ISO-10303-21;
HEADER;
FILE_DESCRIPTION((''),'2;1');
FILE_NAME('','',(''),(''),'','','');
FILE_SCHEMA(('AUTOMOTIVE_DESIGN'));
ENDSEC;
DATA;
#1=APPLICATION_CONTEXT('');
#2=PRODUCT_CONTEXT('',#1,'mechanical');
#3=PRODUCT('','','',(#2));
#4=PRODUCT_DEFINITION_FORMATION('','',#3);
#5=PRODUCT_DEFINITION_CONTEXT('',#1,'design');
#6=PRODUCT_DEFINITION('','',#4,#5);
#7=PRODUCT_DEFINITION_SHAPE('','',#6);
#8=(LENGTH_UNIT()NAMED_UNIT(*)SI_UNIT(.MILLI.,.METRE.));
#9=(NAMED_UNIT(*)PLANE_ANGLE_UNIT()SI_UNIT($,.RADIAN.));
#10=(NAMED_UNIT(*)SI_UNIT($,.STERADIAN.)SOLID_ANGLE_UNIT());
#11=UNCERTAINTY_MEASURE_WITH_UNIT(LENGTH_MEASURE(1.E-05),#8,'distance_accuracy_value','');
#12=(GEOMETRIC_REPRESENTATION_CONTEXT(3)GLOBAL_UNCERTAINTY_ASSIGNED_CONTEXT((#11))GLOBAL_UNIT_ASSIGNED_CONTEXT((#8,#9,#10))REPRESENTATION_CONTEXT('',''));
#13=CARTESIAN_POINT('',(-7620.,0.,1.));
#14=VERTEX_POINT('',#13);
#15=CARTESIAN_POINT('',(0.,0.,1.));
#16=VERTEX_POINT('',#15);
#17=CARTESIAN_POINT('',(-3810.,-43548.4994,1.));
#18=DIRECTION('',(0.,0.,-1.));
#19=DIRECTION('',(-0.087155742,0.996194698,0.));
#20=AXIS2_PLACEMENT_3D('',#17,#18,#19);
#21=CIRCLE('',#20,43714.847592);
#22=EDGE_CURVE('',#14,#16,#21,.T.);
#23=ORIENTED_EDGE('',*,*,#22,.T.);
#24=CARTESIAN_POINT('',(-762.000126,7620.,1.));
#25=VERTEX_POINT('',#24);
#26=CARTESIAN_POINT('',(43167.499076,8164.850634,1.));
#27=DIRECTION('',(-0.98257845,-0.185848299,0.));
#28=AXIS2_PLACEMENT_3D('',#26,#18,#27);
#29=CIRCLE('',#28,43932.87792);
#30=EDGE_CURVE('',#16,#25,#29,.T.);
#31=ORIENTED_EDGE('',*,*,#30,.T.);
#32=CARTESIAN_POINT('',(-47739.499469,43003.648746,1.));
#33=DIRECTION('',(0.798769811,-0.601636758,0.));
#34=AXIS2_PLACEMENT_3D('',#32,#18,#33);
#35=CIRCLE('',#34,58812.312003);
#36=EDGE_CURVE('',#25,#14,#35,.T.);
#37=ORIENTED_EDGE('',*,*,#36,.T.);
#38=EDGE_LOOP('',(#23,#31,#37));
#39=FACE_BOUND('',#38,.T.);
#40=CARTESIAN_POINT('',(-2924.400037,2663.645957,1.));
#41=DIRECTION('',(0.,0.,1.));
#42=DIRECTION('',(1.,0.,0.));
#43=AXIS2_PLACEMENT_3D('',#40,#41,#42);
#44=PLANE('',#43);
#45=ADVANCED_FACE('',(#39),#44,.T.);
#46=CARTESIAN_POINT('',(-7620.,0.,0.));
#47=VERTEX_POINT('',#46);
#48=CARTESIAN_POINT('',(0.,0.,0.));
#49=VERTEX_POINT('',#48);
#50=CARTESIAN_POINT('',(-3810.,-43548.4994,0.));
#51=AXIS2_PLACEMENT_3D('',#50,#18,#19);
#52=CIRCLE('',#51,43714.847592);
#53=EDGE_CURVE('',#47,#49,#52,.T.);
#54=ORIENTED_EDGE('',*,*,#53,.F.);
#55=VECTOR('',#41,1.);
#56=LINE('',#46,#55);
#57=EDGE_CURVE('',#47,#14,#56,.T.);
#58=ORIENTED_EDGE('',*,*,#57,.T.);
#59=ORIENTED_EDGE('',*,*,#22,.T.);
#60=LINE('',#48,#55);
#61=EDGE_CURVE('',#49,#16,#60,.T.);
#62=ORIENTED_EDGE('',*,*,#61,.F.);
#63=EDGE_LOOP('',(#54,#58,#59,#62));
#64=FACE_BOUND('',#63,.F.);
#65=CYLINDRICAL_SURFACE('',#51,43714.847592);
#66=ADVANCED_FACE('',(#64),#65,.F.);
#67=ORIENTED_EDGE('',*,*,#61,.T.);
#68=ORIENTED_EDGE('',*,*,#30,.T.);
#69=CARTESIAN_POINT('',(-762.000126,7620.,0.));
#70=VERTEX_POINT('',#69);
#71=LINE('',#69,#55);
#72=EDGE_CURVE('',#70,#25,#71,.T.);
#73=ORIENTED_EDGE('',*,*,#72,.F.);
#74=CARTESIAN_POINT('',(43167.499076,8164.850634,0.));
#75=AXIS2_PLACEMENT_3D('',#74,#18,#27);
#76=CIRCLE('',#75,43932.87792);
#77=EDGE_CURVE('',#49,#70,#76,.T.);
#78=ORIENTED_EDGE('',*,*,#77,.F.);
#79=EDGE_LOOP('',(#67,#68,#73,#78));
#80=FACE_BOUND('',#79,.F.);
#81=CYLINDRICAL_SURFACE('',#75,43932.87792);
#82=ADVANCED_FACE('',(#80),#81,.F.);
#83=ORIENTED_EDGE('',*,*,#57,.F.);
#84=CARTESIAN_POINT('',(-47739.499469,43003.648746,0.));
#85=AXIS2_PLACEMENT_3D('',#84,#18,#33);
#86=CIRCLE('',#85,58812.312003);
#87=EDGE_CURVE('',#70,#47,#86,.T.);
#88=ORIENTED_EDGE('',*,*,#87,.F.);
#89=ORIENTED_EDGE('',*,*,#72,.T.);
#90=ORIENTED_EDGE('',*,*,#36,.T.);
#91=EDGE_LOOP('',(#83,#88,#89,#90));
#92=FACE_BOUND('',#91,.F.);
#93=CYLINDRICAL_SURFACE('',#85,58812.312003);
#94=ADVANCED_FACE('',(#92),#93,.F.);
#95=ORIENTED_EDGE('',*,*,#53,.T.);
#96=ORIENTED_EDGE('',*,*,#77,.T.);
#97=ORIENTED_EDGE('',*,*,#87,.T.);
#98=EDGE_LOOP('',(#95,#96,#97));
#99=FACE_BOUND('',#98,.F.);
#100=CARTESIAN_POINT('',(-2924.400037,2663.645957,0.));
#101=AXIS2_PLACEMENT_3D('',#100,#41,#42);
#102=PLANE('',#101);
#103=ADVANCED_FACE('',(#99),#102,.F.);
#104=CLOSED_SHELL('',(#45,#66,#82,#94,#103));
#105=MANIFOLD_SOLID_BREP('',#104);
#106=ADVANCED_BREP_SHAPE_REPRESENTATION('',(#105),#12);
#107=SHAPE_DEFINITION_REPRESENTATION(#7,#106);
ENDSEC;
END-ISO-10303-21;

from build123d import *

# Parameters (mm, degrees)
F1_DEPTH = 1


with BuildPart() as f1:
    # F0 (on Top) → F1 (new body)
    with BuildSketch(Plane.XY):
        with BuildLine():
            ThreePointArc((0, 0), (-547.348256, 3793.365178), (-762.000126, 7620))
            ThreePointArc((-762.000126, 7620), (-4024.651871, 3660.28663), (-7620, 0))
            ThreePointArc((-7620, 0), (-3810, 166.348192), (0, 0))
        make_face()
    extrude(amount=F1_DEPTH)


solid = f1.part
